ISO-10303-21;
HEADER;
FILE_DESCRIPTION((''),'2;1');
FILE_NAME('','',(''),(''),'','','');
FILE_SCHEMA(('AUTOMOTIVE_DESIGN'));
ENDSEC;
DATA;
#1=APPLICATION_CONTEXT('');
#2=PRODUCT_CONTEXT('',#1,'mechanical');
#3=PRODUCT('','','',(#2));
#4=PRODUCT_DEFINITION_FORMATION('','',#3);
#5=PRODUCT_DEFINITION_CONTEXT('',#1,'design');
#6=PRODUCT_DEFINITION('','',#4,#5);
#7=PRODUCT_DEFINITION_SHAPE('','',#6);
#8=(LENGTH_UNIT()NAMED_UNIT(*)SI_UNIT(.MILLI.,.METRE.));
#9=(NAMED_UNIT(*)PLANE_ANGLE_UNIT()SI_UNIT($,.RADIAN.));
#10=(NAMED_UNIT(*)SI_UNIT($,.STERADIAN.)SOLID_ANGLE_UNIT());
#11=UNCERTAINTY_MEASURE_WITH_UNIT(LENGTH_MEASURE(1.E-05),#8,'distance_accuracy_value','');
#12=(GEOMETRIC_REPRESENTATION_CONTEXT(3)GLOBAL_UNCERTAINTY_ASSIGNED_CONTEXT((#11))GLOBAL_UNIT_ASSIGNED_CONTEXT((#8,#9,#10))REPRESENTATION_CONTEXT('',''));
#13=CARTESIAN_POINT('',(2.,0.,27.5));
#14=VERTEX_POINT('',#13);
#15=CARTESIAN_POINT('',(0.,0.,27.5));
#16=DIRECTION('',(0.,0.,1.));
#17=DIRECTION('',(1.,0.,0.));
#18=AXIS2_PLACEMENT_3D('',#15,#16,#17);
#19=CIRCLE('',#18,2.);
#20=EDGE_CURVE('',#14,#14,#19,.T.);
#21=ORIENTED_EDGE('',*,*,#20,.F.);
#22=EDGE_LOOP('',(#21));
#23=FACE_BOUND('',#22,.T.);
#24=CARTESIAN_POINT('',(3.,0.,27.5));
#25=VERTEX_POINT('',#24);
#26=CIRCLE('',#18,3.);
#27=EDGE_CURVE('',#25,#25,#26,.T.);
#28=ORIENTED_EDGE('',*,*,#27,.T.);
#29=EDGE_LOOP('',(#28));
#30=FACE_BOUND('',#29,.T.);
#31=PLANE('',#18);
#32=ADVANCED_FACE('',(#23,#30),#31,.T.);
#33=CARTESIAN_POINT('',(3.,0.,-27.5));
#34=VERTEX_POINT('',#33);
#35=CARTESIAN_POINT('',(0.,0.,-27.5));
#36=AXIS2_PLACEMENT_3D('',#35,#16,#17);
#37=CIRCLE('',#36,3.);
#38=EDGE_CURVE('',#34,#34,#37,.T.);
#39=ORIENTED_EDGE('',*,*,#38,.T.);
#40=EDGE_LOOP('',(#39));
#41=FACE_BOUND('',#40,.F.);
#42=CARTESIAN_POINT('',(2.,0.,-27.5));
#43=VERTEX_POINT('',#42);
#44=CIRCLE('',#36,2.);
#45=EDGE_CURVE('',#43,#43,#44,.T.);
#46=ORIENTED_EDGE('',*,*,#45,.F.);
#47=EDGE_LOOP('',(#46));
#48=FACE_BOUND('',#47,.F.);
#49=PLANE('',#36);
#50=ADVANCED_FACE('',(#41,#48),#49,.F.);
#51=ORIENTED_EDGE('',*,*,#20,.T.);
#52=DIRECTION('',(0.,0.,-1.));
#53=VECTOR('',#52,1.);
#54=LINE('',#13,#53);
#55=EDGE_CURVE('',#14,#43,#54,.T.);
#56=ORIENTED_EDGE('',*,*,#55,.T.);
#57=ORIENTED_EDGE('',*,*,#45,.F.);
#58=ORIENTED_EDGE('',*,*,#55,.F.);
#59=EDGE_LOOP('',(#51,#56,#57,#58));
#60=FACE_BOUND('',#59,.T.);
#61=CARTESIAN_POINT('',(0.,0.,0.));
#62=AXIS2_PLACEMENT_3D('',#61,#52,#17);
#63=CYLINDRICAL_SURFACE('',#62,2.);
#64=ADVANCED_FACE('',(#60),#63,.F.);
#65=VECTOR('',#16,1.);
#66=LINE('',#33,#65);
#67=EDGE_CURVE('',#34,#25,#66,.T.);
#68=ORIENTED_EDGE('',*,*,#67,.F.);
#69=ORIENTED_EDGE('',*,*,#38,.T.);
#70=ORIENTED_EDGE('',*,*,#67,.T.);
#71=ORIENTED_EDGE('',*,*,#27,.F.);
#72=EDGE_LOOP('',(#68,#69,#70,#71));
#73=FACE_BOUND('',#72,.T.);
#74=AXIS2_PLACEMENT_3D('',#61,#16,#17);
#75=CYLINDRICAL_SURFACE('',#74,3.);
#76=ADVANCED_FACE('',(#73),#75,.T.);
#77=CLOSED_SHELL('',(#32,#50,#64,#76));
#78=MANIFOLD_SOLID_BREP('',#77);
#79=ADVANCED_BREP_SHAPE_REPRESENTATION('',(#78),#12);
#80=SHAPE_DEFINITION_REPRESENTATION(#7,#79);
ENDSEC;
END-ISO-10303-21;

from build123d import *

# Parameters (mm, degrees)
SKETCH_1_R      = 3
SKETCH_1_R_2    = 2
EXTRUDE_1_DEPTH = 27.5


with BuildPart() as part:
    # 草图1 → 凸台-拉伸1 (new body, symmetric)
    with BuildSketch(Plane.XY):
        Circle(SKETCH_1_R)
        Circle(SKETCH_1_R_2, mode=Mode.SUBTRACT)
    extrude(amount=EXTRUDE_1_DEPTH, both=True)


solid = part.part
